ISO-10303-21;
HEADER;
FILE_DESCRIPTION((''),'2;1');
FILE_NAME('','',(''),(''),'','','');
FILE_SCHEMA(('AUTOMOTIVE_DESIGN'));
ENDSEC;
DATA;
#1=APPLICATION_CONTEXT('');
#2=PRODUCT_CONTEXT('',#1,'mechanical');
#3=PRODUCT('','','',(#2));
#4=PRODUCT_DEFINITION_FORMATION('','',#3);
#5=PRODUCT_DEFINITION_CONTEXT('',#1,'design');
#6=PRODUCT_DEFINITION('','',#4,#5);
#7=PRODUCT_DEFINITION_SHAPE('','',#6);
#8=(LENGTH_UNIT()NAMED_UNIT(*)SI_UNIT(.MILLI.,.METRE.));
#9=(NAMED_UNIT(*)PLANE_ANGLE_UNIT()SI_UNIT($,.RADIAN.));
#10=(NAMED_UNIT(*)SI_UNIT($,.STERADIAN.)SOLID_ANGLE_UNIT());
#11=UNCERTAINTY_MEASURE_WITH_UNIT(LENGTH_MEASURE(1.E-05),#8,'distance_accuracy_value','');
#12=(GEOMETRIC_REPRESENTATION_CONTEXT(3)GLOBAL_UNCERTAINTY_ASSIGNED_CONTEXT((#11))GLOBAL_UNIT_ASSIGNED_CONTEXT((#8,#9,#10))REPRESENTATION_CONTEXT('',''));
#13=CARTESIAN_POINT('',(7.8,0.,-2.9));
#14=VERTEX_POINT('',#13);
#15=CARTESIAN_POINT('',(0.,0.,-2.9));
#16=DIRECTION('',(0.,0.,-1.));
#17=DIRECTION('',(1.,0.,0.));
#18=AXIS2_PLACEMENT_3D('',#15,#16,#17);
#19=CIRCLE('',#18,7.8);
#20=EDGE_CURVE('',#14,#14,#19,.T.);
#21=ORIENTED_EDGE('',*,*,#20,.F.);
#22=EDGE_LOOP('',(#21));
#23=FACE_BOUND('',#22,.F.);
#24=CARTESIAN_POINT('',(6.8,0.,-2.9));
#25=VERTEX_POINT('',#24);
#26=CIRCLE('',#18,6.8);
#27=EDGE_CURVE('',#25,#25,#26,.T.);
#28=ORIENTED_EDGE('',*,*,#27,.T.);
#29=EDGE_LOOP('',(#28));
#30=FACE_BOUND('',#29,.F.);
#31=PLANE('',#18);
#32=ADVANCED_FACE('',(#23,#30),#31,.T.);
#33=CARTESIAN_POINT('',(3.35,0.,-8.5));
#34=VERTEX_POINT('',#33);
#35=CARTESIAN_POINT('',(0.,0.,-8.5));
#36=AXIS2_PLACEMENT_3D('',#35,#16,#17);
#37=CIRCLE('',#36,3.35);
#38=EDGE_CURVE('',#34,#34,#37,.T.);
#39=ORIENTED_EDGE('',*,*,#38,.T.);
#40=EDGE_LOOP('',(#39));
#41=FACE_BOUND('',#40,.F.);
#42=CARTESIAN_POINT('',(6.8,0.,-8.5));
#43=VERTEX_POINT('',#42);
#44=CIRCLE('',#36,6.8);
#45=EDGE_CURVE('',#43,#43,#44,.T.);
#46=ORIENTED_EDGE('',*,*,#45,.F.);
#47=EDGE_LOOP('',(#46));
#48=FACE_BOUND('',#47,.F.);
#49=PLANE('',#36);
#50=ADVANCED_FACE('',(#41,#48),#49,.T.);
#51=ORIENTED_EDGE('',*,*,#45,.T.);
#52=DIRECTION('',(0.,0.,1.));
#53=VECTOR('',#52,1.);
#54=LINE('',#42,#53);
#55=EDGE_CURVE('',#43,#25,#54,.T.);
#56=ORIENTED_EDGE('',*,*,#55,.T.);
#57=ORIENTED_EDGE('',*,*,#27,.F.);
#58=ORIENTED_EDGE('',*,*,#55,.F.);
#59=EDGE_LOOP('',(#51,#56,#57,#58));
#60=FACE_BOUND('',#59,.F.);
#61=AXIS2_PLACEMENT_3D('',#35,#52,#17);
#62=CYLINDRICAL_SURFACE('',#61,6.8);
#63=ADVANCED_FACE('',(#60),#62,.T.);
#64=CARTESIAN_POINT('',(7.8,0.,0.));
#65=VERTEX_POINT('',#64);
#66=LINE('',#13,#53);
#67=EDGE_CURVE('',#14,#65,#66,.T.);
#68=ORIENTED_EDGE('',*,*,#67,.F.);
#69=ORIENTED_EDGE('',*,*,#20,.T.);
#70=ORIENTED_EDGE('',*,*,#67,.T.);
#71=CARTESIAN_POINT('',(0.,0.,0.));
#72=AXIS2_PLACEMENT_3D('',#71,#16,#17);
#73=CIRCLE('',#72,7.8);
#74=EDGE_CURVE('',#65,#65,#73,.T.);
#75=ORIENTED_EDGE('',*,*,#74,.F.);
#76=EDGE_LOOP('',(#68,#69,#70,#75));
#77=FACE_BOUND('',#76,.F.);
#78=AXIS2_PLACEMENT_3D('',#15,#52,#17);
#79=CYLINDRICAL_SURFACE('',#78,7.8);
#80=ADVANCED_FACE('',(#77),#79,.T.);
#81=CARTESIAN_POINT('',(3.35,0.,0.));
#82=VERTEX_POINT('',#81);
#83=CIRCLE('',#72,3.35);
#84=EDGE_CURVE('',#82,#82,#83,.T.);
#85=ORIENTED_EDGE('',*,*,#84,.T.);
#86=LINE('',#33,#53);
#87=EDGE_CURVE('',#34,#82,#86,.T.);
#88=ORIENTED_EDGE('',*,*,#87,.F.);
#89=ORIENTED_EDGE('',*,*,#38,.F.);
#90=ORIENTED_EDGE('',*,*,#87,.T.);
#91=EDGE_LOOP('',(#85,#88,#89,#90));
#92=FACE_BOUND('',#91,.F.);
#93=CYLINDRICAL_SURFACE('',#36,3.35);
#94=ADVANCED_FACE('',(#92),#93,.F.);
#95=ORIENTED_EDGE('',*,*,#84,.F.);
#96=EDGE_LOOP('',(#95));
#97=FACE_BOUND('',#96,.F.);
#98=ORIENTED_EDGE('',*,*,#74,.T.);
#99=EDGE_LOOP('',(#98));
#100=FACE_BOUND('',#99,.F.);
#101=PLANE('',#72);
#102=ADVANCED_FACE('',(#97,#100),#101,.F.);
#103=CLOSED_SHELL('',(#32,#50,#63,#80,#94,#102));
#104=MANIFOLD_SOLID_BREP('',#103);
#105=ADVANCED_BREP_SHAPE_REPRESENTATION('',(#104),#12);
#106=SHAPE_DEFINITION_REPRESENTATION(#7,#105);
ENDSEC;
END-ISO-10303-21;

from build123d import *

# Parameters (mm, degrees)
F3_R     = 3.35
F4_DEPTH = 8.501


with BuildPart() as f1:
    # F0 (on Front) → F1 (revolve)
    with BuildSketch(Plane.XZ):
        Polygon((7.8, 0), (0, 0), (0, -8.5), (6.8, -8.5), (6.8, -2.9), (7.8, -2.9), align=None)
    revolve(axis=Axis((0, 0, -4.25), (0, 0, -1)))

    # F3 (on offset) → F4 (cut, through all)
    with BuildSketch(Plane(origin=(0, 0, -8.5), x_dir=(1, 0, 0), z_dir=(0, 0, -1))):
        Circle(F3_R)
    extrude(amount=-F4_DEPTH, mode=Mode.SUBTRACT)


solid = f1.part
